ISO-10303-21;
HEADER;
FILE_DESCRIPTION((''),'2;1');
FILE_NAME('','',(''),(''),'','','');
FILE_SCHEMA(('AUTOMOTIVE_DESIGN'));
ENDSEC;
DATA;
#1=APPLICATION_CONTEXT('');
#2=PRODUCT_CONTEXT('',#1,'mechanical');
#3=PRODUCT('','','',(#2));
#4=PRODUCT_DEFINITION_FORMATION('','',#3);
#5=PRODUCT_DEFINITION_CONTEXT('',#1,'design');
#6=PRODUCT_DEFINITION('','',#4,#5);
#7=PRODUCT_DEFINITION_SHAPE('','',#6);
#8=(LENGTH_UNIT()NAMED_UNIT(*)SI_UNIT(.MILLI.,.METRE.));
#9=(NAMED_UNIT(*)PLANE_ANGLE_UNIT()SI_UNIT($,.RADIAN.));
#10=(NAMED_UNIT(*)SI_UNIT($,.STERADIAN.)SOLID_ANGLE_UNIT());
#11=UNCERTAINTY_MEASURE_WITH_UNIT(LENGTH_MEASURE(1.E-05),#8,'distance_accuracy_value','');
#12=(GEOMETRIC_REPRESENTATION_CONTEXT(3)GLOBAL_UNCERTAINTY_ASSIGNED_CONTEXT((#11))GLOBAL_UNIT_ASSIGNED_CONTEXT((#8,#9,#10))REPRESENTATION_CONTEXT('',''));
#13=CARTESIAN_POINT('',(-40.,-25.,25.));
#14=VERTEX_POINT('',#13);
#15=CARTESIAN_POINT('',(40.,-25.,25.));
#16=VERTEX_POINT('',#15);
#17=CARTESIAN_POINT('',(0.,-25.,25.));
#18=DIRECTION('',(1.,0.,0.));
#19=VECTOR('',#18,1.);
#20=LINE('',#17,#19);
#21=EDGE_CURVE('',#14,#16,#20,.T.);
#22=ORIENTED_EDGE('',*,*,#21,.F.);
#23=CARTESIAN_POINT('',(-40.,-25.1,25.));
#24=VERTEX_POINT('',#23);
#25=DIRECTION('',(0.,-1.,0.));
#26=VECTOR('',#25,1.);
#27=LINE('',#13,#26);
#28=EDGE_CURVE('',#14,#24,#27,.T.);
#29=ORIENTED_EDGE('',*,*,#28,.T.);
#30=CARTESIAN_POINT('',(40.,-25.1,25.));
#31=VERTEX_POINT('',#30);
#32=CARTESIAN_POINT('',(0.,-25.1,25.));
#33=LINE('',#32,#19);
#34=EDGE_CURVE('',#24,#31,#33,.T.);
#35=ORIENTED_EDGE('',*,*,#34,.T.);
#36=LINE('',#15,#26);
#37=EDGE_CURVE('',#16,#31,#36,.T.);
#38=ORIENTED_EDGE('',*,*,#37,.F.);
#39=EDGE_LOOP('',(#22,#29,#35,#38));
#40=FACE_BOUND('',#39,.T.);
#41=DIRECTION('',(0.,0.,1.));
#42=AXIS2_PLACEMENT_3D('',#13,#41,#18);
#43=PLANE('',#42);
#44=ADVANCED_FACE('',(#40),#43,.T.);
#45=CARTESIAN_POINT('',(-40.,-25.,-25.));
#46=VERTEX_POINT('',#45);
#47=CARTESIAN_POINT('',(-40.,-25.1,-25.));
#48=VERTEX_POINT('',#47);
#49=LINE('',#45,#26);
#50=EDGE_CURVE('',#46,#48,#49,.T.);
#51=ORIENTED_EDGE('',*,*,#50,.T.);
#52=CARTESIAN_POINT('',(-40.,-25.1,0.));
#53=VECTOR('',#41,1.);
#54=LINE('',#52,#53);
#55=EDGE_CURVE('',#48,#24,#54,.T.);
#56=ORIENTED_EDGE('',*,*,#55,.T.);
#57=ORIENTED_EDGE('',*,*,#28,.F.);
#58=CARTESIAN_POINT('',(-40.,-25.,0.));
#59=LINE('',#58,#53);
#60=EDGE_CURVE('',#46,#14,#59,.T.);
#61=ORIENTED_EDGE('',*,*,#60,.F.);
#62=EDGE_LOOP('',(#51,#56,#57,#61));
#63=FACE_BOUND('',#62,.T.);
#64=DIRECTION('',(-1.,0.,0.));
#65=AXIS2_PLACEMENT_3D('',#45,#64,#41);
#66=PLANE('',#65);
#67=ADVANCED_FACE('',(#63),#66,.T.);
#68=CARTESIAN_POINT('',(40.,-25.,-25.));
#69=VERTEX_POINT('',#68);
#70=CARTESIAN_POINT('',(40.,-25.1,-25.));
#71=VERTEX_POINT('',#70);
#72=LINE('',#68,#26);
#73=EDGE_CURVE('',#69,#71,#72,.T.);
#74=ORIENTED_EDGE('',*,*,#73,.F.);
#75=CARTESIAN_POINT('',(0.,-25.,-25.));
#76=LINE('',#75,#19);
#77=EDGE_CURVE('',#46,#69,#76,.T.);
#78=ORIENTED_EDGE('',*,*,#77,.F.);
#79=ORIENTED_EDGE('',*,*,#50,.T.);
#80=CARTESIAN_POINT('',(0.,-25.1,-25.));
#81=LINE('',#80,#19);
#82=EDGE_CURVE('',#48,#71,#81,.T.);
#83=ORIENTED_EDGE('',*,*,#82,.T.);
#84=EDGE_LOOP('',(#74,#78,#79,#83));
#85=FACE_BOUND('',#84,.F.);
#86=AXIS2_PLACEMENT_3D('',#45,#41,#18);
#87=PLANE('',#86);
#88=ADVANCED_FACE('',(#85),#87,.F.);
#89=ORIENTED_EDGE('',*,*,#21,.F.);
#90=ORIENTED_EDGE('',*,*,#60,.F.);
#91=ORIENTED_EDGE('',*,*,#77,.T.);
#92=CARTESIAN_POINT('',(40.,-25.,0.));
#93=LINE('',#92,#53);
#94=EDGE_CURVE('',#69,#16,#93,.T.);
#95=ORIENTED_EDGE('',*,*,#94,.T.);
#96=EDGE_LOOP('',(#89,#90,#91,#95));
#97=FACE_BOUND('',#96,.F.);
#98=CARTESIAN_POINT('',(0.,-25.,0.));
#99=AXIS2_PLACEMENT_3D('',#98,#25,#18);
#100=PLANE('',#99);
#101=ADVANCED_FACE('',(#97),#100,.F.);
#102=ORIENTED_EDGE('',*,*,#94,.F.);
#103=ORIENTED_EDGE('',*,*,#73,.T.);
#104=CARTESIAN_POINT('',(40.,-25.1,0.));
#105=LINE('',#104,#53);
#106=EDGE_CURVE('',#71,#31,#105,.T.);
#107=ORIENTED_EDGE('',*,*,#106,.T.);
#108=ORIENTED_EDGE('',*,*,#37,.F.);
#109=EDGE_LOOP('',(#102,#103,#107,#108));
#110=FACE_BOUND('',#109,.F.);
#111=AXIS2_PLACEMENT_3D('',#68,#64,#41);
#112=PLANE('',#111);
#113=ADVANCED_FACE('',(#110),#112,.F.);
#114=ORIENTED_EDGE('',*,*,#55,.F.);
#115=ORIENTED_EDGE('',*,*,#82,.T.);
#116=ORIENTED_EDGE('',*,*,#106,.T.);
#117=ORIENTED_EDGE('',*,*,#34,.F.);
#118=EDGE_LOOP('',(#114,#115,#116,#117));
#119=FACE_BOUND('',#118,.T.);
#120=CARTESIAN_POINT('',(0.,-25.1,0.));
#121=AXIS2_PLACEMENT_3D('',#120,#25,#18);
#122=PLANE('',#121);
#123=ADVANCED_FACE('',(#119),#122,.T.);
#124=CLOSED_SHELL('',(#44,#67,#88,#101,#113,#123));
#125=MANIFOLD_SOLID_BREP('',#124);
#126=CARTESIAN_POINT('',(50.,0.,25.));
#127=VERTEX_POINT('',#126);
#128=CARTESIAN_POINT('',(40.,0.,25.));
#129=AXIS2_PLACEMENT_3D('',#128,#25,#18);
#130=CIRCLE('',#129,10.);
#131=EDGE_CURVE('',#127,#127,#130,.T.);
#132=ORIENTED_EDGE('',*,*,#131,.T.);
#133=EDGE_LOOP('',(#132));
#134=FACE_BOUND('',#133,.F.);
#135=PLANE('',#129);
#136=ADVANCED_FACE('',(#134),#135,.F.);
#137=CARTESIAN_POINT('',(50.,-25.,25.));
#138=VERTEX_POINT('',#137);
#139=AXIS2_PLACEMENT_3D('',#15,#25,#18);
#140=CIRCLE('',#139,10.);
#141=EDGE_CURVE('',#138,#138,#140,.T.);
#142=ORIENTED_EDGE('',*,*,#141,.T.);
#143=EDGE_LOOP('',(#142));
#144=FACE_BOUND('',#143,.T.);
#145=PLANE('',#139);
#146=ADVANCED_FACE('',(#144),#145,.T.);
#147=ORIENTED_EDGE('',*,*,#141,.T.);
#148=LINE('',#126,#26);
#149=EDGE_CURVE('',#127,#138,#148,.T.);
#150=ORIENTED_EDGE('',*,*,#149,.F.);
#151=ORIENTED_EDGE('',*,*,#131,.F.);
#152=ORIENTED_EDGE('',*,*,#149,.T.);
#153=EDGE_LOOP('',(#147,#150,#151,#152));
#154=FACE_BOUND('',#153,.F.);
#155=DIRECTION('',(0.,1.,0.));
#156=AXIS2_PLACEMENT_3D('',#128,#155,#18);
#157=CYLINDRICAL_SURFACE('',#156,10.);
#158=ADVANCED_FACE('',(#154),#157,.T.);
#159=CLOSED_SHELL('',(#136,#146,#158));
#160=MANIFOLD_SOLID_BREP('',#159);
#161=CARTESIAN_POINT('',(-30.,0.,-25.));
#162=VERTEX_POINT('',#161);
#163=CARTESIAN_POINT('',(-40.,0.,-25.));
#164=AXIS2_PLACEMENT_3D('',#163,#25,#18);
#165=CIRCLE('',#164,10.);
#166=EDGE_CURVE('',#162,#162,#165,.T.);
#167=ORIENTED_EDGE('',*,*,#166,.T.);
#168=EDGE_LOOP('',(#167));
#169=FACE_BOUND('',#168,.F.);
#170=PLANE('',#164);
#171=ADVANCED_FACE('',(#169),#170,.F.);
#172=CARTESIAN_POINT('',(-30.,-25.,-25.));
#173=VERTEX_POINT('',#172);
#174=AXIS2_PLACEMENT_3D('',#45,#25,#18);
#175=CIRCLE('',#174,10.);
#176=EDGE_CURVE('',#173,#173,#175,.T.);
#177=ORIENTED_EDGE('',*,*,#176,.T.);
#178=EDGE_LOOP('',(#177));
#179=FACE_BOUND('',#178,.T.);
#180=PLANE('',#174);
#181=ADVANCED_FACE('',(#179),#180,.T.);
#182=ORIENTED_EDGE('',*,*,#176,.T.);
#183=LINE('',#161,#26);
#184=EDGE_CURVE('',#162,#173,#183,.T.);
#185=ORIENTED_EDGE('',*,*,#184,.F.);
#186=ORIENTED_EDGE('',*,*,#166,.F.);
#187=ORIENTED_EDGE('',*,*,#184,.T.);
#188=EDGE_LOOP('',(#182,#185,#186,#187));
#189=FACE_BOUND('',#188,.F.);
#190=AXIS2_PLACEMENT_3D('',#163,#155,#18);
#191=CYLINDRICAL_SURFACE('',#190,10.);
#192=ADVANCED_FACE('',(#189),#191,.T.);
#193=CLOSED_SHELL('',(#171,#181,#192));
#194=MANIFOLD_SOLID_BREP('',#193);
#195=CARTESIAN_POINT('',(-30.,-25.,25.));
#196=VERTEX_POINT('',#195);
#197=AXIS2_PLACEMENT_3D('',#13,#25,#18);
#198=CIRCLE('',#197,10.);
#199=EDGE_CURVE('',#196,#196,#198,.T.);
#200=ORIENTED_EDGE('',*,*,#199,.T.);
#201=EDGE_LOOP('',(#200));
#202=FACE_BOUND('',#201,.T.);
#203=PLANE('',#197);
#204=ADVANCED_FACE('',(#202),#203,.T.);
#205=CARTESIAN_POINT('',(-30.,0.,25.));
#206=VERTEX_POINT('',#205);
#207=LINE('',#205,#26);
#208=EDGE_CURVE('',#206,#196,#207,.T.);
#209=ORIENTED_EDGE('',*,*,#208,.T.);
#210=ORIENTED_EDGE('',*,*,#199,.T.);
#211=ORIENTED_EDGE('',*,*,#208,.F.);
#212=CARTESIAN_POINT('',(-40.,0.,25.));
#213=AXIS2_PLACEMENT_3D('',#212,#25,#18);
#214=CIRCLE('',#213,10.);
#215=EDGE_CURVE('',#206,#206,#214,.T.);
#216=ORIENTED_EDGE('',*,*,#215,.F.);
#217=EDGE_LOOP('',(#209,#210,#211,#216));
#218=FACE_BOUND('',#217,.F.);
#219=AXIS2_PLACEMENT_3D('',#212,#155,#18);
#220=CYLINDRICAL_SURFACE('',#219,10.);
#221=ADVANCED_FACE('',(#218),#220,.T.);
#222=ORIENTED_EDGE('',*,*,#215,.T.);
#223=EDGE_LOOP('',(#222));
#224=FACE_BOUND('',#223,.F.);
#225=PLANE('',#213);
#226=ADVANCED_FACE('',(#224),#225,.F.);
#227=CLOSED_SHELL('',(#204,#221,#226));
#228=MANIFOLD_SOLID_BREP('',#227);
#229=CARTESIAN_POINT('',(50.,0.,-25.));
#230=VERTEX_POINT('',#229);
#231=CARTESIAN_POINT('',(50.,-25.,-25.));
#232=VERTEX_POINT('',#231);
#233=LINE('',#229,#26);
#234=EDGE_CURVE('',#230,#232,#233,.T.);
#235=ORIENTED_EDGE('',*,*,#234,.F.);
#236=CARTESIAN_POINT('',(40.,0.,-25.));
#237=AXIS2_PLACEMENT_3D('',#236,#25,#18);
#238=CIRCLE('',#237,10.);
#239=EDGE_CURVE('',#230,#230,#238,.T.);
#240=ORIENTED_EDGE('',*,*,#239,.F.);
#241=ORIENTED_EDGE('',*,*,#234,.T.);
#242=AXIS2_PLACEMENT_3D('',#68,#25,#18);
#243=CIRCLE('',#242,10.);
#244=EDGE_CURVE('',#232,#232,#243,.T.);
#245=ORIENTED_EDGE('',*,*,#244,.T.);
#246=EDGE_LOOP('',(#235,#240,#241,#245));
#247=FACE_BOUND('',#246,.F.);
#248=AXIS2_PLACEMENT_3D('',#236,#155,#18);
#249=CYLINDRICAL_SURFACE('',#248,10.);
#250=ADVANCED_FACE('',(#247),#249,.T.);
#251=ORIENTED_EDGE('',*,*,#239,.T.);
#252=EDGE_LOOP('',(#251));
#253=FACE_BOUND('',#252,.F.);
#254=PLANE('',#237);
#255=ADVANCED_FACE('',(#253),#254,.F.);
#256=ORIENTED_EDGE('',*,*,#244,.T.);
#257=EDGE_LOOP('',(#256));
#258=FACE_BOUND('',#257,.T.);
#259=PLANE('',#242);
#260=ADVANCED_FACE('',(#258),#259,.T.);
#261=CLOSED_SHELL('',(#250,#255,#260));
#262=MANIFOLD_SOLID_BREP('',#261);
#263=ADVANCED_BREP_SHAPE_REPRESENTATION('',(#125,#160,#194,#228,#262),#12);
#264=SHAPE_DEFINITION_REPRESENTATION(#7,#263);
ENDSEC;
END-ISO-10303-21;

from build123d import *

# Parameters (mm, degrees)
F0_R     = 10
F1_DEPTH = 25
F2_W     = 80
F2_H     = 50
F3_DEPTH = 0.1


with BuildPart() as f1:
    # F0 (on Front) → F1 (new body)
    with BuildSketch(Plane.XZ):
        with Locations((-40, -25)):
            Circle(F0_R)
        with Locations((-40, 25)):
            Circle(F0_R)
        with Locations((40, -25)):
            Circle(F0_R)
        with Locations((40, 25)):
            Circle(F0_R)
    extrude(amount=F1_DEPTH)


with BuildPart() as f3:
    # F2 (on face) → F3 (new body)
    with BuildSketch(Plane.XZ.offset(25)):
        Rectangle(F2_W, F2_H)
    extrude(amount=F3_DEPTH)


solid = Compound([f1.part, f3.part])
